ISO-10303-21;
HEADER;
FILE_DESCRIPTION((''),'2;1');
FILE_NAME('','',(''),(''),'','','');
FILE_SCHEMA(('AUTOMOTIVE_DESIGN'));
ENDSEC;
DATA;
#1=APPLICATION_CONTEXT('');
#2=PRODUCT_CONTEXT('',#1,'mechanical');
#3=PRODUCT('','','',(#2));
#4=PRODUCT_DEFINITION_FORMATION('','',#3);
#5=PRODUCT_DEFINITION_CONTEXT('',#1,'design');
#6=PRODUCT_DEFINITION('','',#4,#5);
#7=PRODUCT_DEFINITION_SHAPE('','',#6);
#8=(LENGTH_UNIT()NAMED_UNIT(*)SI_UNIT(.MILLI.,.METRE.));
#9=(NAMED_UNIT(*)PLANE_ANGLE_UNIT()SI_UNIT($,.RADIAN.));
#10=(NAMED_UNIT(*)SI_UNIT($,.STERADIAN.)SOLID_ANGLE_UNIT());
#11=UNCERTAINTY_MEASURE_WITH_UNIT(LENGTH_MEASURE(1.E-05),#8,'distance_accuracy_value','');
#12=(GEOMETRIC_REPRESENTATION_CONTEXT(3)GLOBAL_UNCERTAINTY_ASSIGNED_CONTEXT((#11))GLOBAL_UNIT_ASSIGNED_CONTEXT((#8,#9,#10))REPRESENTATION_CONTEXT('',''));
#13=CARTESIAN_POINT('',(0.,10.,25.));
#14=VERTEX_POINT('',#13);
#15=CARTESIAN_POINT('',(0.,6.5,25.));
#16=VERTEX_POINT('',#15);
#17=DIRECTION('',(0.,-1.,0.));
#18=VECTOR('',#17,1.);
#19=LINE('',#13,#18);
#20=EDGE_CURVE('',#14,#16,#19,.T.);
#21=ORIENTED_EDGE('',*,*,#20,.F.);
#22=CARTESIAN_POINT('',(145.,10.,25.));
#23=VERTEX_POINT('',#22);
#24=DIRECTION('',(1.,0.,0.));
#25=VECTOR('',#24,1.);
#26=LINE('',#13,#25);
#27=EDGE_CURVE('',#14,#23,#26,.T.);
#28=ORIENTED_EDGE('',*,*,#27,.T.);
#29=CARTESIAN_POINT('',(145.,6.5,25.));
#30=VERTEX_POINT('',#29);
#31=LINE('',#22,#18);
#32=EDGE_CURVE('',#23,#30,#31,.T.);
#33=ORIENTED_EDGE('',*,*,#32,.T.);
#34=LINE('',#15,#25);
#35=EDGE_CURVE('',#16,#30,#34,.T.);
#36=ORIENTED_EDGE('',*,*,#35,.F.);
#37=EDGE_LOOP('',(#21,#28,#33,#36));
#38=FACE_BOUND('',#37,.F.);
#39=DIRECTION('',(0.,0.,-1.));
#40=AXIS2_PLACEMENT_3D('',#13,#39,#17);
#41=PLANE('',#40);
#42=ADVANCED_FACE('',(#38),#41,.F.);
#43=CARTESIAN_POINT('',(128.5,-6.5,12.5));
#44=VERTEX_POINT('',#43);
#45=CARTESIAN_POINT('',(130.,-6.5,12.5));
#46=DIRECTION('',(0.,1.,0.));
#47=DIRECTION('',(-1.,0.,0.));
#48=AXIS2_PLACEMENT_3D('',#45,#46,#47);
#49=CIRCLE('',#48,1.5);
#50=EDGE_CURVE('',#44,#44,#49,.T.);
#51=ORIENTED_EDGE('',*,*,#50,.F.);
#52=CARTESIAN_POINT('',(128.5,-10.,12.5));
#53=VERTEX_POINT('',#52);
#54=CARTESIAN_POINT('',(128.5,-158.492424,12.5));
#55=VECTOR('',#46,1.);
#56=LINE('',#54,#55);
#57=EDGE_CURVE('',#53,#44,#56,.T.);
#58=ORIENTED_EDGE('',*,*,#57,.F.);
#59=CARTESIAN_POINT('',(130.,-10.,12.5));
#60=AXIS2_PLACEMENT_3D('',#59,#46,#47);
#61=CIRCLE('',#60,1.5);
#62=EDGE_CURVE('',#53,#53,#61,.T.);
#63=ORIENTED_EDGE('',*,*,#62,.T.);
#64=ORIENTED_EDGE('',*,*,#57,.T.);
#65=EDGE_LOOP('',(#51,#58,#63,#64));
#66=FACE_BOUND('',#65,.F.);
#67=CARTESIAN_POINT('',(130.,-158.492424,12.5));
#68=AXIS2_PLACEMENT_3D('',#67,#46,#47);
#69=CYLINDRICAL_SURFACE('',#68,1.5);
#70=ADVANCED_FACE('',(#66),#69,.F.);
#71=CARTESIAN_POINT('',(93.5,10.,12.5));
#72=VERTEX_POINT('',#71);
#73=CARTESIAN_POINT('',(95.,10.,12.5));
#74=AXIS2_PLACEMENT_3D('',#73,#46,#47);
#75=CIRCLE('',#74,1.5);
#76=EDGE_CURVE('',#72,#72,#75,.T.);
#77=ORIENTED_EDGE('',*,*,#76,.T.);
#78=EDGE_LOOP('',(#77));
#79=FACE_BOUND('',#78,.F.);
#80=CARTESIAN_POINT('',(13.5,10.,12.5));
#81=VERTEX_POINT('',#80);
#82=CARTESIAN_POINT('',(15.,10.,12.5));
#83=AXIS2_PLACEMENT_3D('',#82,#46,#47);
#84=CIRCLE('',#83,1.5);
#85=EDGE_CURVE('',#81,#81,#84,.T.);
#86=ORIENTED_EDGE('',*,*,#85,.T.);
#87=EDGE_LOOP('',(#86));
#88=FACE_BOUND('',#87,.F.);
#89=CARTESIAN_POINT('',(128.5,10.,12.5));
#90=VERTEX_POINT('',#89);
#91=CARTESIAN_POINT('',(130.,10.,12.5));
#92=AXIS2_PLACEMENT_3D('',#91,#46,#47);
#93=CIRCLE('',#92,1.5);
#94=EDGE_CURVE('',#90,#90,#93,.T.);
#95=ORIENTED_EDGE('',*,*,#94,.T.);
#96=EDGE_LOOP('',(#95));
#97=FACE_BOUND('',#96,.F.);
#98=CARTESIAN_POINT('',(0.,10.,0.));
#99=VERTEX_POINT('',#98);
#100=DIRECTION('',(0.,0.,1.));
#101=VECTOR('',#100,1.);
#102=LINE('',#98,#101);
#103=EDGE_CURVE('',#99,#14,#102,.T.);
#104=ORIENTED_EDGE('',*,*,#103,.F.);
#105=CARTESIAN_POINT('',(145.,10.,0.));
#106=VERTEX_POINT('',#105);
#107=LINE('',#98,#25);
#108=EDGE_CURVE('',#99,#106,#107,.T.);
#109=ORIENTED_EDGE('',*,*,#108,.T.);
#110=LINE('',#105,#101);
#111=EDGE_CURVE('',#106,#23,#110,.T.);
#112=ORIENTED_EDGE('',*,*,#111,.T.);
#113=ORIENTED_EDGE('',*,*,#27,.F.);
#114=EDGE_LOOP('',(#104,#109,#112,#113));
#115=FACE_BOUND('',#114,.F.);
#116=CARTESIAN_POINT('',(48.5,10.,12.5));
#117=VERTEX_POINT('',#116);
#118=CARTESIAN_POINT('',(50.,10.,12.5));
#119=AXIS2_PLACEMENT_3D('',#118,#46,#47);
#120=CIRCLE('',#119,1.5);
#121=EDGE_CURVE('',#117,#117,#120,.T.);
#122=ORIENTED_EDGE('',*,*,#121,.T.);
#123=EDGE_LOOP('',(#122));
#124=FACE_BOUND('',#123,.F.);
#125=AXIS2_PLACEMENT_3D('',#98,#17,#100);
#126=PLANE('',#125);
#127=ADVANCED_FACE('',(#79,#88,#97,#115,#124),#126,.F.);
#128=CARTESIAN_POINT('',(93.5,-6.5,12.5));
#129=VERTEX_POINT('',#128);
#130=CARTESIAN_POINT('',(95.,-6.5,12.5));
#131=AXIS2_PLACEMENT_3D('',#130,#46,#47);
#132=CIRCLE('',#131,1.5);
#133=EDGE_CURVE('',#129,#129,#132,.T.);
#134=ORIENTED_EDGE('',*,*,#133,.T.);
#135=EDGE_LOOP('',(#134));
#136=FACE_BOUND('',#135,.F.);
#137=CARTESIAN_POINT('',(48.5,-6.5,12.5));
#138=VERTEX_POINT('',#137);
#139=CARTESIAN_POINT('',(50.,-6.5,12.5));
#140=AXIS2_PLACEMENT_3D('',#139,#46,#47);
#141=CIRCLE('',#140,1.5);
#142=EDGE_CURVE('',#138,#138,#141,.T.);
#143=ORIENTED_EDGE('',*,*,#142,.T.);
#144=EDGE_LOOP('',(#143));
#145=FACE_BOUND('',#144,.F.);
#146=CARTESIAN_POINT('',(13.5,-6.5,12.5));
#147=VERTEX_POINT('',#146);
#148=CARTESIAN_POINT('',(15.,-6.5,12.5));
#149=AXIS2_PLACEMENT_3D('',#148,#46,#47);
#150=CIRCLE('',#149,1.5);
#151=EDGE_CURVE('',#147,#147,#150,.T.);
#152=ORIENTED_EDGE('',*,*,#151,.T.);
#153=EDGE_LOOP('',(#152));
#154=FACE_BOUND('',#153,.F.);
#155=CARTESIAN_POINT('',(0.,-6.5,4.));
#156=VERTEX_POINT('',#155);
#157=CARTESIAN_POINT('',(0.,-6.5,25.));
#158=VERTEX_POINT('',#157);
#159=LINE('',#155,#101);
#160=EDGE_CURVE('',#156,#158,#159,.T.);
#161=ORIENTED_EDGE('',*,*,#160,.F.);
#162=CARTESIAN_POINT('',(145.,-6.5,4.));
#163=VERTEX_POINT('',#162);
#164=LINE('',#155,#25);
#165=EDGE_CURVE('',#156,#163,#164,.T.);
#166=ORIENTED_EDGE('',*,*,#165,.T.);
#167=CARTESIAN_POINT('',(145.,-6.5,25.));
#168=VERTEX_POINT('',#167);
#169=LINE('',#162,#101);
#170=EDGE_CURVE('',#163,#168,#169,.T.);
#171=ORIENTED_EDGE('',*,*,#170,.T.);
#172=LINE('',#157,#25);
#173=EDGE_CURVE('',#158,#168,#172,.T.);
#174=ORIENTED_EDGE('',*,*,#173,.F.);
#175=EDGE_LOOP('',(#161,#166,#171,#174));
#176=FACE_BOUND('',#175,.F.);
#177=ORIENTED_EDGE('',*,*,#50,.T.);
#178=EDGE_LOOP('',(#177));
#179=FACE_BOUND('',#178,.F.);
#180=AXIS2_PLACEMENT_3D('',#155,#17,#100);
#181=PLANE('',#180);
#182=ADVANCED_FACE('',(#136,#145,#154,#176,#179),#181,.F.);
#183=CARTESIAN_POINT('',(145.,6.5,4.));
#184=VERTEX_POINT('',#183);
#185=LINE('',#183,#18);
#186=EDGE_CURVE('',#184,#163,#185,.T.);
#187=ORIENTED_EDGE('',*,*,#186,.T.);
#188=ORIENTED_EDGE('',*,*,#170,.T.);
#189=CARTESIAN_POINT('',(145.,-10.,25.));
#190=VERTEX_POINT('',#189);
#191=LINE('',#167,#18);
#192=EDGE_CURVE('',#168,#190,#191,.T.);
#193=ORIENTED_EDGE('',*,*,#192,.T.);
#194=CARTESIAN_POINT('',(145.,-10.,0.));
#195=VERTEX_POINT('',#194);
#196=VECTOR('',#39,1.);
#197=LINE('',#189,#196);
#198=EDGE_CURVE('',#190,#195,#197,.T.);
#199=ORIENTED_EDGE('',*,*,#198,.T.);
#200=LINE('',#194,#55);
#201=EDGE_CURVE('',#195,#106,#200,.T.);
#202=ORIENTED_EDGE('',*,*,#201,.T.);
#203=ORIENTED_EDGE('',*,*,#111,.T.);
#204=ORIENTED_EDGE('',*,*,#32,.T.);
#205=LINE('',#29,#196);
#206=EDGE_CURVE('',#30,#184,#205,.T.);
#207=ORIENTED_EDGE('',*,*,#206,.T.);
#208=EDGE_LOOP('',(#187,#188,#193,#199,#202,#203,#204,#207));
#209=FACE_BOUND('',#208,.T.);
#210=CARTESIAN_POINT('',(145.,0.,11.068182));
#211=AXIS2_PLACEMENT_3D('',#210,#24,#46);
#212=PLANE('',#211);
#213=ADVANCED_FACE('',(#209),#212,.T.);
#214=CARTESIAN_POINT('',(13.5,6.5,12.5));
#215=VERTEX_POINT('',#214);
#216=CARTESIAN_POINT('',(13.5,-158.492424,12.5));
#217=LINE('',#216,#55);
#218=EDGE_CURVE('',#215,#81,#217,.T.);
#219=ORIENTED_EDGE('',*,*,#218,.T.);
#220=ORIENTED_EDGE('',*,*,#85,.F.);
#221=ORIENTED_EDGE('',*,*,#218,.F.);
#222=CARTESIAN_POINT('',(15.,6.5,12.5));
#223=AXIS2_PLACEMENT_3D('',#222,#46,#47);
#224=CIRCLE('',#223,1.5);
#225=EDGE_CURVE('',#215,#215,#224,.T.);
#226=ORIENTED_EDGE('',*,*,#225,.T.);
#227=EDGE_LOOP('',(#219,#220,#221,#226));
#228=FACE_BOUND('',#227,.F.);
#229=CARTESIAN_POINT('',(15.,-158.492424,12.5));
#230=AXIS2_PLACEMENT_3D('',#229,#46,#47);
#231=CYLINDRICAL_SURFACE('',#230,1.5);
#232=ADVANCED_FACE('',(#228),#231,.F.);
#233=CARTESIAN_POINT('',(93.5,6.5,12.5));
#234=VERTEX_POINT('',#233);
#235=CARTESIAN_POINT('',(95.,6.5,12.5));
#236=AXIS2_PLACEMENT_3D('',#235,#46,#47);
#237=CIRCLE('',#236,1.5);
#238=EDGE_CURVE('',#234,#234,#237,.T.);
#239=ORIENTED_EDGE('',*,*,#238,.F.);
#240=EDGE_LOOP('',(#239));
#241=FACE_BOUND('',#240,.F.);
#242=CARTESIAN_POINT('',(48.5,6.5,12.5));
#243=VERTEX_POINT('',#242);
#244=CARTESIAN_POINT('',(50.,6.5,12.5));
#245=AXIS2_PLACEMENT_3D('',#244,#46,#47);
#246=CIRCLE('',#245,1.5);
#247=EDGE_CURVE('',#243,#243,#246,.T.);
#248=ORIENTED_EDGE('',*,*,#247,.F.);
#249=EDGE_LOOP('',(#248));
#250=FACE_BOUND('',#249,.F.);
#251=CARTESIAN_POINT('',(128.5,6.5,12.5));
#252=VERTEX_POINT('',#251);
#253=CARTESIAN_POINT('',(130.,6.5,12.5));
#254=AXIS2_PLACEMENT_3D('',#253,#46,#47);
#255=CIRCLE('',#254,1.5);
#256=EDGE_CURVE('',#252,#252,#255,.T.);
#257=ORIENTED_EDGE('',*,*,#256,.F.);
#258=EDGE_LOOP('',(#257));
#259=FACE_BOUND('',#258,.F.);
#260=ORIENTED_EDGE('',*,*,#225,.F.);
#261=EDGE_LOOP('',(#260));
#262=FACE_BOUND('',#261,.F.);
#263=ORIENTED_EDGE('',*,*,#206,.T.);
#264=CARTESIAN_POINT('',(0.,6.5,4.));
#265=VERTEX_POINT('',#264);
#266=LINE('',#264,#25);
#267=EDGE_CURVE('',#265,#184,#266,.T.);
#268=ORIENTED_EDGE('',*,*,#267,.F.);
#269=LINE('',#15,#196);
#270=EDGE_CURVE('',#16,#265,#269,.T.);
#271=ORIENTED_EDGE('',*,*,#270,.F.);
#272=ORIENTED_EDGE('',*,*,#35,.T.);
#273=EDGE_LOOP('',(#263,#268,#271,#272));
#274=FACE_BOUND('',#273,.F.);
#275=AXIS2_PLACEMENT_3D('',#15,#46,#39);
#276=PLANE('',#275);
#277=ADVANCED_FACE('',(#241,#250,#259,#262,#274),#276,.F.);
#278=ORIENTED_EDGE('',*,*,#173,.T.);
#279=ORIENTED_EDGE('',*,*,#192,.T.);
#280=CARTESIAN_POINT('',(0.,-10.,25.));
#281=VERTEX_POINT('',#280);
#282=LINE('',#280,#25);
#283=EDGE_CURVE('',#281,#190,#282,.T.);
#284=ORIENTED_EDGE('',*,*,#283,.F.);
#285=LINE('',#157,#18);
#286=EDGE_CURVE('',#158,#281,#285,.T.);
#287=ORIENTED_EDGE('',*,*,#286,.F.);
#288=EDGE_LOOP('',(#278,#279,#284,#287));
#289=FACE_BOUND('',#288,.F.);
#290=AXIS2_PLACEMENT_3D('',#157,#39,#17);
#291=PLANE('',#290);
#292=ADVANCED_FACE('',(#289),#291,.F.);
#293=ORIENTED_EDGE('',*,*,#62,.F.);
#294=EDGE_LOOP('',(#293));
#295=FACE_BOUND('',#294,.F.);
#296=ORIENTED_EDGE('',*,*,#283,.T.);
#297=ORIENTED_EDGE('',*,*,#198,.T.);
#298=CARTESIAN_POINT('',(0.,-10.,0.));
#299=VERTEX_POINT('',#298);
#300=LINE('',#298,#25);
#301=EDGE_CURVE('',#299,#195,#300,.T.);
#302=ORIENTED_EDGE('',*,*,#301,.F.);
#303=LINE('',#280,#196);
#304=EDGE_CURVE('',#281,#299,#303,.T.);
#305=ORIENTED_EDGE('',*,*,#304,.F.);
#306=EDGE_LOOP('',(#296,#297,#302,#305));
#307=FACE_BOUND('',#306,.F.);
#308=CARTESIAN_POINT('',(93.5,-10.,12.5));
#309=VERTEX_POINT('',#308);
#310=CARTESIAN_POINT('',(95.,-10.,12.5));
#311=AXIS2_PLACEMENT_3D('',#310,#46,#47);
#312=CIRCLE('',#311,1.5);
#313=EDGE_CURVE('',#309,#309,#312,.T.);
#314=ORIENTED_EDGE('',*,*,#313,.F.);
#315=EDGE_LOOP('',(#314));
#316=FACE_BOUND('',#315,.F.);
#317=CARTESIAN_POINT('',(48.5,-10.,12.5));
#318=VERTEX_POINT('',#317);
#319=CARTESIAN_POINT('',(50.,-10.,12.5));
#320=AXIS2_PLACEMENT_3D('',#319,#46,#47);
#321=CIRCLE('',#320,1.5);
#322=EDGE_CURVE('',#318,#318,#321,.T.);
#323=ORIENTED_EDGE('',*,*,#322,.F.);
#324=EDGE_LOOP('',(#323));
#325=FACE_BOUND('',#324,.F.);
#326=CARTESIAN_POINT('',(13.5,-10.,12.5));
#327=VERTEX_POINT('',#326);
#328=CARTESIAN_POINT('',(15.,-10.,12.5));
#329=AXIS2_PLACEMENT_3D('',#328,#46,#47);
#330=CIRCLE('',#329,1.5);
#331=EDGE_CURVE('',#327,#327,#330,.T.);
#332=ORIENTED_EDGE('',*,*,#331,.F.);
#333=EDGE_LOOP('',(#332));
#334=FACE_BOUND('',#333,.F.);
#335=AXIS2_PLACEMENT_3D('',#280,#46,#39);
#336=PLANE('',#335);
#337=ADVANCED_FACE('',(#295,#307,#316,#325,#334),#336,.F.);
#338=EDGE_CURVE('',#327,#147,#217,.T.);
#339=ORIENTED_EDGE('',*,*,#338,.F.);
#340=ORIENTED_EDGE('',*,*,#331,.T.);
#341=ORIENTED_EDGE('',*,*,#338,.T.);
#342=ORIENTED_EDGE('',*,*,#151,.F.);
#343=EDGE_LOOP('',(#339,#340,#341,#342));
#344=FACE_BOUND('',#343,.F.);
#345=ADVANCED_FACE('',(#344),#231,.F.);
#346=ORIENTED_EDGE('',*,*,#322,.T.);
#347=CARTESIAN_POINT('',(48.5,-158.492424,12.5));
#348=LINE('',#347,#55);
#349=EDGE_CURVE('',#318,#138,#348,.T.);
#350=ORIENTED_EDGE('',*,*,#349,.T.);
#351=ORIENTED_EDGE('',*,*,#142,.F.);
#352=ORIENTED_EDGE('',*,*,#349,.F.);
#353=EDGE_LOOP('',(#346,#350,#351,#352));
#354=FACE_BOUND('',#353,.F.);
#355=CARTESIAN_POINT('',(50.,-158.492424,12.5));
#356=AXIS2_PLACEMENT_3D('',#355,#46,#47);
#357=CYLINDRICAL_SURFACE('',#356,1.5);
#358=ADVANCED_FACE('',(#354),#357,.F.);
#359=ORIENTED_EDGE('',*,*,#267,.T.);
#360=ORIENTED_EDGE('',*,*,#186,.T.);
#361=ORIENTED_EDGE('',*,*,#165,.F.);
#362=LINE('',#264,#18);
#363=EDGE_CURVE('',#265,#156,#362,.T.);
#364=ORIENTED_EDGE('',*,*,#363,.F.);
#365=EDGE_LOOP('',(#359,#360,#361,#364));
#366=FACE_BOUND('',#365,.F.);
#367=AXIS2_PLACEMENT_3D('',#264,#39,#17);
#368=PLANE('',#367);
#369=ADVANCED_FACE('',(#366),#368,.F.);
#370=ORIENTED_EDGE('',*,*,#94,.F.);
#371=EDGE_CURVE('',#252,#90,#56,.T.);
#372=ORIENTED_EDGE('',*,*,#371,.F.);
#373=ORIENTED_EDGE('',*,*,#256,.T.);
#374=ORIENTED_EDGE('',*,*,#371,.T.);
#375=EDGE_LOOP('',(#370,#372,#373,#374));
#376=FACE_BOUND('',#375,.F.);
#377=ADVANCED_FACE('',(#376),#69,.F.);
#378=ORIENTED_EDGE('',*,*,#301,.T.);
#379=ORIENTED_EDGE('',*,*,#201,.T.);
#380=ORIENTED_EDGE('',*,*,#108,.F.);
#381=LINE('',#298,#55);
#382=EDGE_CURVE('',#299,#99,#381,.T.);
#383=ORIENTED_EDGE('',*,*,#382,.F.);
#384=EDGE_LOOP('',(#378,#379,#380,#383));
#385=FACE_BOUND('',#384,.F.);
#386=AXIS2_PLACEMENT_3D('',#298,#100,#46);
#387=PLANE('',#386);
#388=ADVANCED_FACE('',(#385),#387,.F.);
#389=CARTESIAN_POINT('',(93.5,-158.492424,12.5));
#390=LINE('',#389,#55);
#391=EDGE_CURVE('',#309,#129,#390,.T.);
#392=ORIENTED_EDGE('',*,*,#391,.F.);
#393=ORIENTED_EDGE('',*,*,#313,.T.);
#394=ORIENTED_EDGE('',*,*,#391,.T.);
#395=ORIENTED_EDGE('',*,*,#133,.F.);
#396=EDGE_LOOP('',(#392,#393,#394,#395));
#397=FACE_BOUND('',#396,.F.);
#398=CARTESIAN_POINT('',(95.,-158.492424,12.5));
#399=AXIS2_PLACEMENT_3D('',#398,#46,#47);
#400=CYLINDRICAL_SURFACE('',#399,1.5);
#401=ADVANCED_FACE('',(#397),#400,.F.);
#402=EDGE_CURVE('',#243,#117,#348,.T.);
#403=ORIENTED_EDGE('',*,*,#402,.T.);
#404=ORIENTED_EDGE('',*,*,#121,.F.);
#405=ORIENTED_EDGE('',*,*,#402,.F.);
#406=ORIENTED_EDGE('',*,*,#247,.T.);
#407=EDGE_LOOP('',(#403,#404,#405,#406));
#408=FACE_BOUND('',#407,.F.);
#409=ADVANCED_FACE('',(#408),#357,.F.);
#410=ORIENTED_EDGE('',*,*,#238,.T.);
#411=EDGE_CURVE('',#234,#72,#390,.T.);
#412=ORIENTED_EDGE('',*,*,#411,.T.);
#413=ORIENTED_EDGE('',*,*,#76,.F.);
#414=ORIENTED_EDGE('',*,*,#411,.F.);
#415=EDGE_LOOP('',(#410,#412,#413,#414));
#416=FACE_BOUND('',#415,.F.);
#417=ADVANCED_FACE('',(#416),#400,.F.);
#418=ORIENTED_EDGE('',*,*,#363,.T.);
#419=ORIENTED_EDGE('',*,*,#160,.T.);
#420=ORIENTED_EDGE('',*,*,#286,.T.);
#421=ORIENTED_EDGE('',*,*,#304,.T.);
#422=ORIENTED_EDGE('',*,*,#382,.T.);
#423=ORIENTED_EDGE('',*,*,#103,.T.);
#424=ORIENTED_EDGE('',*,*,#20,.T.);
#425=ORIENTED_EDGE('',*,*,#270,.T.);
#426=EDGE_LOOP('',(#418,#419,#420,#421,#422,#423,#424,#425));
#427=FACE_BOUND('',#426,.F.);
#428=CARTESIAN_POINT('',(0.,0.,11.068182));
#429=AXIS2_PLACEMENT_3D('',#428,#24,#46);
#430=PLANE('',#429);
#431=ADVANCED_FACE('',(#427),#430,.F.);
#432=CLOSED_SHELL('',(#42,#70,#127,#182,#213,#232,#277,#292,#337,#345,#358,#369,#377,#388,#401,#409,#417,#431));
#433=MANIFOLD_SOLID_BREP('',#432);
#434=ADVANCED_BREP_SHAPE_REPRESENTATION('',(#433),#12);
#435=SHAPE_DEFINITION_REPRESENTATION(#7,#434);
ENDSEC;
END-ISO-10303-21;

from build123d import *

# Parameters (mm, degrees)
F1_DEPTH = 145
F3_D     = 3


with BuildPart() as f1:
    # F0 (on Right) → F1 (new body)
    with BuildSketch(Plane.YZ):
        Polygon((-10, 0), (0, 0), (10, 0), (10, 25), (6.5, 25), (6.5, 4), (0, 4), (-6.5, 4), (-6.5, 25), (-10, 25), align=None)
    extrude(amount=F1_DEPTH)

    # F3 (through all)
    with Locations(Plane.XZ.offset(10)):
        with Locations((15, 12.5), (50, 12.5), (95, 12.5), (130, 12.5)):
            Hole(F3_D / 2)


solid = f1.part
